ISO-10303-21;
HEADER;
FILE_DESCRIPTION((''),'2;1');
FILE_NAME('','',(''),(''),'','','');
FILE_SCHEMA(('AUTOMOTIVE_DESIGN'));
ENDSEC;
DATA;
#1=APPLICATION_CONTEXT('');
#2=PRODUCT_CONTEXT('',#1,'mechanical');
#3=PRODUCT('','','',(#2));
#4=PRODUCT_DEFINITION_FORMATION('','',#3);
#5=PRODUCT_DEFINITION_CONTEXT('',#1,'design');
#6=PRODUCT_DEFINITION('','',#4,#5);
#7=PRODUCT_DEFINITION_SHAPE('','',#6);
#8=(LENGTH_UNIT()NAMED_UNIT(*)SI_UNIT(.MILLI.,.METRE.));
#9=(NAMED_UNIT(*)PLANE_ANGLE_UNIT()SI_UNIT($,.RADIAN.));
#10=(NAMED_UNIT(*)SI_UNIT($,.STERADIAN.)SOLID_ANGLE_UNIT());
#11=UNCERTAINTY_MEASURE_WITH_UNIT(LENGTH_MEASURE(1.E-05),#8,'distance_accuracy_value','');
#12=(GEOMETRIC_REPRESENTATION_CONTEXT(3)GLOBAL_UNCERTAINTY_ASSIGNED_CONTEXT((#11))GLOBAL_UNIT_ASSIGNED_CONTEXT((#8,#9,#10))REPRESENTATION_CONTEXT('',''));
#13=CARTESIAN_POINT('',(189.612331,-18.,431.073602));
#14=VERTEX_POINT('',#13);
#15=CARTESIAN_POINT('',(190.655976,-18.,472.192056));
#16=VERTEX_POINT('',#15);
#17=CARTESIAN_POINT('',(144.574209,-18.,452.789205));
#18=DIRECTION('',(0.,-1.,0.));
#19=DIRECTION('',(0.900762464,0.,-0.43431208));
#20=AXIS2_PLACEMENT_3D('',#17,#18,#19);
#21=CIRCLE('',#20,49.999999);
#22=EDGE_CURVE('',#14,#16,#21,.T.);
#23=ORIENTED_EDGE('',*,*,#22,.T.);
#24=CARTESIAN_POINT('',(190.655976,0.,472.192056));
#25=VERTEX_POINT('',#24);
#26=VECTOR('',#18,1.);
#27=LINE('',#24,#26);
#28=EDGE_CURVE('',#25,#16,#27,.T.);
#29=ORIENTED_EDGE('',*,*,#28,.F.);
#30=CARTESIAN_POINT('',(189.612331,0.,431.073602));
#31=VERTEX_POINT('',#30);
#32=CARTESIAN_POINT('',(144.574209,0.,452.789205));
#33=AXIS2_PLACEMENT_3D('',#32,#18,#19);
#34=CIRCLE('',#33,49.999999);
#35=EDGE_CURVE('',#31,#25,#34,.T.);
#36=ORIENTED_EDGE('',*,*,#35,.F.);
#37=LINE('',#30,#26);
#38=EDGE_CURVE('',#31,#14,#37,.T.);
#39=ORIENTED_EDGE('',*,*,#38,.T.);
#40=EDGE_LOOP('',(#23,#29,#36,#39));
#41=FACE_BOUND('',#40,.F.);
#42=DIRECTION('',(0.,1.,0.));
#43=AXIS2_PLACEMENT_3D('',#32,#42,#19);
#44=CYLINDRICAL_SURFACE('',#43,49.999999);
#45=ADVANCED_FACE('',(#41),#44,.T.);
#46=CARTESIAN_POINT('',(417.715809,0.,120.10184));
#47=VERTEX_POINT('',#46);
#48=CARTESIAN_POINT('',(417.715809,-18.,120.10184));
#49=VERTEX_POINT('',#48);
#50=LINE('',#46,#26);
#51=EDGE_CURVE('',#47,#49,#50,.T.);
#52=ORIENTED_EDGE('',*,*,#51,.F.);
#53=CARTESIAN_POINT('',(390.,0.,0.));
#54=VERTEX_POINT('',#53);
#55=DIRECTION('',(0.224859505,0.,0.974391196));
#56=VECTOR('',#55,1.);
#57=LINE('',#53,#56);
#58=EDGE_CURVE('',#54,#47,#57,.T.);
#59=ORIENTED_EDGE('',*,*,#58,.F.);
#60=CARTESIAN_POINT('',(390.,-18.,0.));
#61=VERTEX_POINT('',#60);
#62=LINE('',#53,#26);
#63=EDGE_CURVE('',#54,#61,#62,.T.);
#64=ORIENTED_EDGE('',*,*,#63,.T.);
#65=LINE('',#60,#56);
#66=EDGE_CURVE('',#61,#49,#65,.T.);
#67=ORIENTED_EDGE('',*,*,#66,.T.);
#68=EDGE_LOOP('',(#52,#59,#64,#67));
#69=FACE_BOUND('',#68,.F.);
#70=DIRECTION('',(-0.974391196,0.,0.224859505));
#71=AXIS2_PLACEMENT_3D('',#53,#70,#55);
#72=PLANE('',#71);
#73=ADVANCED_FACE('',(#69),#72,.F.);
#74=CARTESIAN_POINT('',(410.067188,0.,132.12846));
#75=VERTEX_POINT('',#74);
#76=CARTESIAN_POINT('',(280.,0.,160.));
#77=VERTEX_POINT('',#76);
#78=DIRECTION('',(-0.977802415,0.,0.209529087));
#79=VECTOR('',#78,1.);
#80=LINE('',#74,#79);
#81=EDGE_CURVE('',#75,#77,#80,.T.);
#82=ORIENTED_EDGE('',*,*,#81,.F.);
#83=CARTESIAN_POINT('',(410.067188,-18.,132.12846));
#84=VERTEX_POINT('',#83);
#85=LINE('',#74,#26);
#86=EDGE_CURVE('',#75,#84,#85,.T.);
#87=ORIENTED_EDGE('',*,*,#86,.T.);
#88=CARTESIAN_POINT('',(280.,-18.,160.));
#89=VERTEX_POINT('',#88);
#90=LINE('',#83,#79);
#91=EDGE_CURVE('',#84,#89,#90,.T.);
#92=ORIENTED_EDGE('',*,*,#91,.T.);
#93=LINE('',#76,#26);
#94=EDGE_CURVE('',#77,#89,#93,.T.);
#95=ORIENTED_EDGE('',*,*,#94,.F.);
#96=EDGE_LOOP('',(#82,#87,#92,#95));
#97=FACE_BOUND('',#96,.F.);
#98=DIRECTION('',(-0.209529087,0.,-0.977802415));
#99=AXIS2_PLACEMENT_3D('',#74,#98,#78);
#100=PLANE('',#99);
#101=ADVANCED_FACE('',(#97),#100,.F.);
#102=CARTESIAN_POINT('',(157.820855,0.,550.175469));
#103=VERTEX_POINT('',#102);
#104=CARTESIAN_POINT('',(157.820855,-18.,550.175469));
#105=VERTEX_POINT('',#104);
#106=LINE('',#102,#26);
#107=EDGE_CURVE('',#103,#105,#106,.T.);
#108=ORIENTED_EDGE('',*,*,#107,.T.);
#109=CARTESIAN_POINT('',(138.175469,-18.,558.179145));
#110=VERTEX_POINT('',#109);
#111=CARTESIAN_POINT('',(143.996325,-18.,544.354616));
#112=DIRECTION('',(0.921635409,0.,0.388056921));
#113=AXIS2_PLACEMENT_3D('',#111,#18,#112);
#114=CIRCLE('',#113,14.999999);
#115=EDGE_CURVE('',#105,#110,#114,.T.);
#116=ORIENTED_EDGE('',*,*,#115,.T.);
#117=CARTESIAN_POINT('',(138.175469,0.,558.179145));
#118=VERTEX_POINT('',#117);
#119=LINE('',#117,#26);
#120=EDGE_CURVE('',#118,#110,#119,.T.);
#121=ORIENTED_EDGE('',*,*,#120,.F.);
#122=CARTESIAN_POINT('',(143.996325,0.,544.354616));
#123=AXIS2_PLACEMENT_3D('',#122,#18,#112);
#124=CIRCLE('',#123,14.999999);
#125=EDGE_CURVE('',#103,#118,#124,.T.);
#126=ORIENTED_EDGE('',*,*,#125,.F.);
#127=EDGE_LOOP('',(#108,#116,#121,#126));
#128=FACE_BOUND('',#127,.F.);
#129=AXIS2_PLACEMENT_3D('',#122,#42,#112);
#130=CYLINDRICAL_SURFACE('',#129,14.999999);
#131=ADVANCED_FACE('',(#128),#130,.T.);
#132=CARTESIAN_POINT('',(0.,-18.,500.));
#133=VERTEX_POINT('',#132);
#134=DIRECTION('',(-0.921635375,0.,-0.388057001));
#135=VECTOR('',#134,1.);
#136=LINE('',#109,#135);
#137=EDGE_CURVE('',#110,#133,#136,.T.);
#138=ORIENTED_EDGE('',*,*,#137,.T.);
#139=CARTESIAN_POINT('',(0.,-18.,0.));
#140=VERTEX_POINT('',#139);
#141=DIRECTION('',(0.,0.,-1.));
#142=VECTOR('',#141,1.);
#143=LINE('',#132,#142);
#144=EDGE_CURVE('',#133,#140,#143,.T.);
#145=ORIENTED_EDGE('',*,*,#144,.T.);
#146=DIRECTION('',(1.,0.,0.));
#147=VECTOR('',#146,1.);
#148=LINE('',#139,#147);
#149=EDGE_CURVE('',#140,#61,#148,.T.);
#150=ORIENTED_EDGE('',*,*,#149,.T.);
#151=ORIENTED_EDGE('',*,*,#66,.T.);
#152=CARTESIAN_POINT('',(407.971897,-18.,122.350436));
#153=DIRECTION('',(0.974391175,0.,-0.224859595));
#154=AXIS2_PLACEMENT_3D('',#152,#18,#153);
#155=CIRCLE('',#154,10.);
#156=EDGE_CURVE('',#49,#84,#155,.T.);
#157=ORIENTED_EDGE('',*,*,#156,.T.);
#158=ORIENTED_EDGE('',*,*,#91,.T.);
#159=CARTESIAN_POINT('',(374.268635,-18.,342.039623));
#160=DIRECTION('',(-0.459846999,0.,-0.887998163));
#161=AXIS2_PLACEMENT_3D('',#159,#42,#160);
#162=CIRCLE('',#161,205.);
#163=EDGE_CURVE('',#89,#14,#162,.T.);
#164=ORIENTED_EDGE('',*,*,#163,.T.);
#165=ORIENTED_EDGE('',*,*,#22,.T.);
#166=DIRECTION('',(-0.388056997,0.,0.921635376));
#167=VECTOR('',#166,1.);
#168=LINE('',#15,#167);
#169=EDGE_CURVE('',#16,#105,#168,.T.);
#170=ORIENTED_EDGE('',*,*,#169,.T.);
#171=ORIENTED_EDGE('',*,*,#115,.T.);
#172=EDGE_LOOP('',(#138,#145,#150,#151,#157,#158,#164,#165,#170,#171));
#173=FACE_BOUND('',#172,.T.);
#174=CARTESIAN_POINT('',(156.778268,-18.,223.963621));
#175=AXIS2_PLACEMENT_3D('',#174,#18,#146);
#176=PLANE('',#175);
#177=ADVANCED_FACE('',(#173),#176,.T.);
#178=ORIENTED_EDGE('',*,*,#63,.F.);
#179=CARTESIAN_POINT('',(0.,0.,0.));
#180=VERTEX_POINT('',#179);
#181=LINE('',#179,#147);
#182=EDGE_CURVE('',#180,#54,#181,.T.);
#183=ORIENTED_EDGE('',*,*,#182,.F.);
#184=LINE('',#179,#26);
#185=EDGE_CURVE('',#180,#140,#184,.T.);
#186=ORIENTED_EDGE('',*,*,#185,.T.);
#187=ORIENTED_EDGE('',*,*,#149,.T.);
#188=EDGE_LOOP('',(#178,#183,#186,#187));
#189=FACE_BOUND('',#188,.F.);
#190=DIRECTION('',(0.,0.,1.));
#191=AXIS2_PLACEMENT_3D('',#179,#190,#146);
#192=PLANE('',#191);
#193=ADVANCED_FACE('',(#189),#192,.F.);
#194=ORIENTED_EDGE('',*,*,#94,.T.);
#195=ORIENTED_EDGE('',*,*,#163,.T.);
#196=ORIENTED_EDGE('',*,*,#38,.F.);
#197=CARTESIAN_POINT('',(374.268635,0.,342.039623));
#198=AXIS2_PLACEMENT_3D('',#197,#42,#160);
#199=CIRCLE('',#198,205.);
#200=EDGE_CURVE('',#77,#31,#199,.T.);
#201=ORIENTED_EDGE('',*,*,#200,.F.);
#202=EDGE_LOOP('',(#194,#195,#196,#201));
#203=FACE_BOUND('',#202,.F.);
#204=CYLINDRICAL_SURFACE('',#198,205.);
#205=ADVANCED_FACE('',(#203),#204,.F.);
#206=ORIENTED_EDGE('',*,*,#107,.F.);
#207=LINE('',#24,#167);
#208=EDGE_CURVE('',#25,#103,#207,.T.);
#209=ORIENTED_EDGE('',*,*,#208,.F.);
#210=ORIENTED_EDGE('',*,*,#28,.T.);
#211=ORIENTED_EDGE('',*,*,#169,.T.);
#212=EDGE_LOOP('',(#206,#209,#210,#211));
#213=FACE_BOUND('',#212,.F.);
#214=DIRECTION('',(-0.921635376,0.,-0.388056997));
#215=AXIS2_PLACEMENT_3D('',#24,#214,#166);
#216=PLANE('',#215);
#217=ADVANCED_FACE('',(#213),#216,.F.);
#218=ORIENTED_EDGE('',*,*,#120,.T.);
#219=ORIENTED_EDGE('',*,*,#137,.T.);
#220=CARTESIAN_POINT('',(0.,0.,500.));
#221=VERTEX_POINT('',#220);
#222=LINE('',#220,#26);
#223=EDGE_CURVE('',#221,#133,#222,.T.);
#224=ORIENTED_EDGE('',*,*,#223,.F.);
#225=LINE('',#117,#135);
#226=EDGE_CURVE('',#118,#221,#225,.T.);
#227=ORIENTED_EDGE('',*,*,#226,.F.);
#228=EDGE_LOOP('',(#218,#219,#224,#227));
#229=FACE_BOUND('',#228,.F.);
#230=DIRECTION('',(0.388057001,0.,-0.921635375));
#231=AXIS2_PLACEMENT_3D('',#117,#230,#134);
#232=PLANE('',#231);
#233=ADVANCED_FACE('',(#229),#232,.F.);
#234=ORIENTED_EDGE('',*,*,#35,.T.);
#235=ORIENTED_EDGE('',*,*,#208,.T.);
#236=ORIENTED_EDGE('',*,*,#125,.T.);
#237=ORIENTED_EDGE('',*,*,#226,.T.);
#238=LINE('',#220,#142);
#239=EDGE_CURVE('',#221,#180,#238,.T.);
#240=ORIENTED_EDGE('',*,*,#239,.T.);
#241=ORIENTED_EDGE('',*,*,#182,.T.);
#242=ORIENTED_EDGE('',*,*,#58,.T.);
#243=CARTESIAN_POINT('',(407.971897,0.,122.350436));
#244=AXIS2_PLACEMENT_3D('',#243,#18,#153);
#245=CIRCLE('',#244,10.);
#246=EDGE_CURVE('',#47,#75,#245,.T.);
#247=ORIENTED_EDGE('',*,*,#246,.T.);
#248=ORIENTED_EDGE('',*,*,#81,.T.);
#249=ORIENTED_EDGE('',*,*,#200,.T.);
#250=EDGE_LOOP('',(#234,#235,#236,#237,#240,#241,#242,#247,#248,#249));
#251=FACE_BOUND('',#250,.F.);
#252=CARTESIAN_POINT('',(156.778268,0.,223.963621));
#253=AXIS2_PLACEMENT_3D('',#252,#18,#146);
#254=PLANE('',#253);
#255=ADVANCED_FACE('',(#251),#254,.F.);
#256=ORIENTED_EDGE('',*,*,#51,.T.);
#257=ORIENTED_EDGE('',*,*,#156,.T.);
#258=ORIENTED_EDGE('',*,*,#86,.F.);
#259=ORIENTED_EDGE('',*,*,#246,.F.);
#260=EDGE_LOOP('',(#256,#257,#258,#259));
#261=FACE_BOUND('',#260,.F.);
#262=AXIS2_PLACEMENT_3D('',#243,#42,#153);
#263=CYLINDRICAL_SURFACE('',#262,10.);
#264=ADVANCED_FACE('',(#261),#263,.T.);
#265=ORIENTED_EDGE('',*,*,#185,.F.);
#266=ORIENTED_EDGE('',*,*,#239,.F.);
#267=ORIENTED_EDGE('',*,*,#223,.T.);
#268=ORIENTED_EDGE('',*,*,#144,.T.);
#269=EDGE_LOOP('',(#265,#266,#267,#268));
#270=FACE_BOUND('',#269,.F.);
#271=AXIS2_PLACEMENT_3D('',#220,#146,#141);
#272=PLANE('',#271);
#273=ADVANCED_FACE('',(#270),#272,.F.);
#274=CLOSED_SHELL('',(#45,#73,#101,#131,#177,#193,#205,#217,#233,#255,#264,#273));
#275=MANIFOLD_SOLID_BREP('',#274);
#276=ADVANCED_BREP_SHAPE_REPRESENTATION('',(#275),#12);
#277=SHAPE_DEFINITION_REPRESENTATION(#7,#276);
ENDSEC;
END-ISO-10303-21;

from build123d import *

# Parameters (mm, degrees)
F1_DEPTH = 18


with BuildPart() as f1:
    # F0 (on Front) → F1 (new body)
    with BuildSketch(Plane.XZ):
        with BuildLine():
            Line((0, 500), (0, 0))
            Line((0, 0), (390, 0))
            Line((390, 0), (417.715809, 120.10184))
            ThreePointArc((417.715809, 120.10184), (416.41, 127.716852), (410.067188, 132.12846))
            Line((410.067188, 132.12846), (280, 160))
            ThreePointArc((280, 160), (179.794974, 277.193689), (189.612331, 431.073602))
            ThreePointArc((189.612331, 431.073602), (194.55811, 451.520543), (190.655976, 472.192056))
            Line((190.655976, 472.192056), (157.820855, 550.175469))
            ThreePointArc((157.820855, 550.175469), (149.655778, 558.246), (138.175469, 558.179145))
            Line((138.175469, 558.179145), (0, 500))
        make_face()
    extrude(amount=F1_DEPTH)


solid = f1.part
